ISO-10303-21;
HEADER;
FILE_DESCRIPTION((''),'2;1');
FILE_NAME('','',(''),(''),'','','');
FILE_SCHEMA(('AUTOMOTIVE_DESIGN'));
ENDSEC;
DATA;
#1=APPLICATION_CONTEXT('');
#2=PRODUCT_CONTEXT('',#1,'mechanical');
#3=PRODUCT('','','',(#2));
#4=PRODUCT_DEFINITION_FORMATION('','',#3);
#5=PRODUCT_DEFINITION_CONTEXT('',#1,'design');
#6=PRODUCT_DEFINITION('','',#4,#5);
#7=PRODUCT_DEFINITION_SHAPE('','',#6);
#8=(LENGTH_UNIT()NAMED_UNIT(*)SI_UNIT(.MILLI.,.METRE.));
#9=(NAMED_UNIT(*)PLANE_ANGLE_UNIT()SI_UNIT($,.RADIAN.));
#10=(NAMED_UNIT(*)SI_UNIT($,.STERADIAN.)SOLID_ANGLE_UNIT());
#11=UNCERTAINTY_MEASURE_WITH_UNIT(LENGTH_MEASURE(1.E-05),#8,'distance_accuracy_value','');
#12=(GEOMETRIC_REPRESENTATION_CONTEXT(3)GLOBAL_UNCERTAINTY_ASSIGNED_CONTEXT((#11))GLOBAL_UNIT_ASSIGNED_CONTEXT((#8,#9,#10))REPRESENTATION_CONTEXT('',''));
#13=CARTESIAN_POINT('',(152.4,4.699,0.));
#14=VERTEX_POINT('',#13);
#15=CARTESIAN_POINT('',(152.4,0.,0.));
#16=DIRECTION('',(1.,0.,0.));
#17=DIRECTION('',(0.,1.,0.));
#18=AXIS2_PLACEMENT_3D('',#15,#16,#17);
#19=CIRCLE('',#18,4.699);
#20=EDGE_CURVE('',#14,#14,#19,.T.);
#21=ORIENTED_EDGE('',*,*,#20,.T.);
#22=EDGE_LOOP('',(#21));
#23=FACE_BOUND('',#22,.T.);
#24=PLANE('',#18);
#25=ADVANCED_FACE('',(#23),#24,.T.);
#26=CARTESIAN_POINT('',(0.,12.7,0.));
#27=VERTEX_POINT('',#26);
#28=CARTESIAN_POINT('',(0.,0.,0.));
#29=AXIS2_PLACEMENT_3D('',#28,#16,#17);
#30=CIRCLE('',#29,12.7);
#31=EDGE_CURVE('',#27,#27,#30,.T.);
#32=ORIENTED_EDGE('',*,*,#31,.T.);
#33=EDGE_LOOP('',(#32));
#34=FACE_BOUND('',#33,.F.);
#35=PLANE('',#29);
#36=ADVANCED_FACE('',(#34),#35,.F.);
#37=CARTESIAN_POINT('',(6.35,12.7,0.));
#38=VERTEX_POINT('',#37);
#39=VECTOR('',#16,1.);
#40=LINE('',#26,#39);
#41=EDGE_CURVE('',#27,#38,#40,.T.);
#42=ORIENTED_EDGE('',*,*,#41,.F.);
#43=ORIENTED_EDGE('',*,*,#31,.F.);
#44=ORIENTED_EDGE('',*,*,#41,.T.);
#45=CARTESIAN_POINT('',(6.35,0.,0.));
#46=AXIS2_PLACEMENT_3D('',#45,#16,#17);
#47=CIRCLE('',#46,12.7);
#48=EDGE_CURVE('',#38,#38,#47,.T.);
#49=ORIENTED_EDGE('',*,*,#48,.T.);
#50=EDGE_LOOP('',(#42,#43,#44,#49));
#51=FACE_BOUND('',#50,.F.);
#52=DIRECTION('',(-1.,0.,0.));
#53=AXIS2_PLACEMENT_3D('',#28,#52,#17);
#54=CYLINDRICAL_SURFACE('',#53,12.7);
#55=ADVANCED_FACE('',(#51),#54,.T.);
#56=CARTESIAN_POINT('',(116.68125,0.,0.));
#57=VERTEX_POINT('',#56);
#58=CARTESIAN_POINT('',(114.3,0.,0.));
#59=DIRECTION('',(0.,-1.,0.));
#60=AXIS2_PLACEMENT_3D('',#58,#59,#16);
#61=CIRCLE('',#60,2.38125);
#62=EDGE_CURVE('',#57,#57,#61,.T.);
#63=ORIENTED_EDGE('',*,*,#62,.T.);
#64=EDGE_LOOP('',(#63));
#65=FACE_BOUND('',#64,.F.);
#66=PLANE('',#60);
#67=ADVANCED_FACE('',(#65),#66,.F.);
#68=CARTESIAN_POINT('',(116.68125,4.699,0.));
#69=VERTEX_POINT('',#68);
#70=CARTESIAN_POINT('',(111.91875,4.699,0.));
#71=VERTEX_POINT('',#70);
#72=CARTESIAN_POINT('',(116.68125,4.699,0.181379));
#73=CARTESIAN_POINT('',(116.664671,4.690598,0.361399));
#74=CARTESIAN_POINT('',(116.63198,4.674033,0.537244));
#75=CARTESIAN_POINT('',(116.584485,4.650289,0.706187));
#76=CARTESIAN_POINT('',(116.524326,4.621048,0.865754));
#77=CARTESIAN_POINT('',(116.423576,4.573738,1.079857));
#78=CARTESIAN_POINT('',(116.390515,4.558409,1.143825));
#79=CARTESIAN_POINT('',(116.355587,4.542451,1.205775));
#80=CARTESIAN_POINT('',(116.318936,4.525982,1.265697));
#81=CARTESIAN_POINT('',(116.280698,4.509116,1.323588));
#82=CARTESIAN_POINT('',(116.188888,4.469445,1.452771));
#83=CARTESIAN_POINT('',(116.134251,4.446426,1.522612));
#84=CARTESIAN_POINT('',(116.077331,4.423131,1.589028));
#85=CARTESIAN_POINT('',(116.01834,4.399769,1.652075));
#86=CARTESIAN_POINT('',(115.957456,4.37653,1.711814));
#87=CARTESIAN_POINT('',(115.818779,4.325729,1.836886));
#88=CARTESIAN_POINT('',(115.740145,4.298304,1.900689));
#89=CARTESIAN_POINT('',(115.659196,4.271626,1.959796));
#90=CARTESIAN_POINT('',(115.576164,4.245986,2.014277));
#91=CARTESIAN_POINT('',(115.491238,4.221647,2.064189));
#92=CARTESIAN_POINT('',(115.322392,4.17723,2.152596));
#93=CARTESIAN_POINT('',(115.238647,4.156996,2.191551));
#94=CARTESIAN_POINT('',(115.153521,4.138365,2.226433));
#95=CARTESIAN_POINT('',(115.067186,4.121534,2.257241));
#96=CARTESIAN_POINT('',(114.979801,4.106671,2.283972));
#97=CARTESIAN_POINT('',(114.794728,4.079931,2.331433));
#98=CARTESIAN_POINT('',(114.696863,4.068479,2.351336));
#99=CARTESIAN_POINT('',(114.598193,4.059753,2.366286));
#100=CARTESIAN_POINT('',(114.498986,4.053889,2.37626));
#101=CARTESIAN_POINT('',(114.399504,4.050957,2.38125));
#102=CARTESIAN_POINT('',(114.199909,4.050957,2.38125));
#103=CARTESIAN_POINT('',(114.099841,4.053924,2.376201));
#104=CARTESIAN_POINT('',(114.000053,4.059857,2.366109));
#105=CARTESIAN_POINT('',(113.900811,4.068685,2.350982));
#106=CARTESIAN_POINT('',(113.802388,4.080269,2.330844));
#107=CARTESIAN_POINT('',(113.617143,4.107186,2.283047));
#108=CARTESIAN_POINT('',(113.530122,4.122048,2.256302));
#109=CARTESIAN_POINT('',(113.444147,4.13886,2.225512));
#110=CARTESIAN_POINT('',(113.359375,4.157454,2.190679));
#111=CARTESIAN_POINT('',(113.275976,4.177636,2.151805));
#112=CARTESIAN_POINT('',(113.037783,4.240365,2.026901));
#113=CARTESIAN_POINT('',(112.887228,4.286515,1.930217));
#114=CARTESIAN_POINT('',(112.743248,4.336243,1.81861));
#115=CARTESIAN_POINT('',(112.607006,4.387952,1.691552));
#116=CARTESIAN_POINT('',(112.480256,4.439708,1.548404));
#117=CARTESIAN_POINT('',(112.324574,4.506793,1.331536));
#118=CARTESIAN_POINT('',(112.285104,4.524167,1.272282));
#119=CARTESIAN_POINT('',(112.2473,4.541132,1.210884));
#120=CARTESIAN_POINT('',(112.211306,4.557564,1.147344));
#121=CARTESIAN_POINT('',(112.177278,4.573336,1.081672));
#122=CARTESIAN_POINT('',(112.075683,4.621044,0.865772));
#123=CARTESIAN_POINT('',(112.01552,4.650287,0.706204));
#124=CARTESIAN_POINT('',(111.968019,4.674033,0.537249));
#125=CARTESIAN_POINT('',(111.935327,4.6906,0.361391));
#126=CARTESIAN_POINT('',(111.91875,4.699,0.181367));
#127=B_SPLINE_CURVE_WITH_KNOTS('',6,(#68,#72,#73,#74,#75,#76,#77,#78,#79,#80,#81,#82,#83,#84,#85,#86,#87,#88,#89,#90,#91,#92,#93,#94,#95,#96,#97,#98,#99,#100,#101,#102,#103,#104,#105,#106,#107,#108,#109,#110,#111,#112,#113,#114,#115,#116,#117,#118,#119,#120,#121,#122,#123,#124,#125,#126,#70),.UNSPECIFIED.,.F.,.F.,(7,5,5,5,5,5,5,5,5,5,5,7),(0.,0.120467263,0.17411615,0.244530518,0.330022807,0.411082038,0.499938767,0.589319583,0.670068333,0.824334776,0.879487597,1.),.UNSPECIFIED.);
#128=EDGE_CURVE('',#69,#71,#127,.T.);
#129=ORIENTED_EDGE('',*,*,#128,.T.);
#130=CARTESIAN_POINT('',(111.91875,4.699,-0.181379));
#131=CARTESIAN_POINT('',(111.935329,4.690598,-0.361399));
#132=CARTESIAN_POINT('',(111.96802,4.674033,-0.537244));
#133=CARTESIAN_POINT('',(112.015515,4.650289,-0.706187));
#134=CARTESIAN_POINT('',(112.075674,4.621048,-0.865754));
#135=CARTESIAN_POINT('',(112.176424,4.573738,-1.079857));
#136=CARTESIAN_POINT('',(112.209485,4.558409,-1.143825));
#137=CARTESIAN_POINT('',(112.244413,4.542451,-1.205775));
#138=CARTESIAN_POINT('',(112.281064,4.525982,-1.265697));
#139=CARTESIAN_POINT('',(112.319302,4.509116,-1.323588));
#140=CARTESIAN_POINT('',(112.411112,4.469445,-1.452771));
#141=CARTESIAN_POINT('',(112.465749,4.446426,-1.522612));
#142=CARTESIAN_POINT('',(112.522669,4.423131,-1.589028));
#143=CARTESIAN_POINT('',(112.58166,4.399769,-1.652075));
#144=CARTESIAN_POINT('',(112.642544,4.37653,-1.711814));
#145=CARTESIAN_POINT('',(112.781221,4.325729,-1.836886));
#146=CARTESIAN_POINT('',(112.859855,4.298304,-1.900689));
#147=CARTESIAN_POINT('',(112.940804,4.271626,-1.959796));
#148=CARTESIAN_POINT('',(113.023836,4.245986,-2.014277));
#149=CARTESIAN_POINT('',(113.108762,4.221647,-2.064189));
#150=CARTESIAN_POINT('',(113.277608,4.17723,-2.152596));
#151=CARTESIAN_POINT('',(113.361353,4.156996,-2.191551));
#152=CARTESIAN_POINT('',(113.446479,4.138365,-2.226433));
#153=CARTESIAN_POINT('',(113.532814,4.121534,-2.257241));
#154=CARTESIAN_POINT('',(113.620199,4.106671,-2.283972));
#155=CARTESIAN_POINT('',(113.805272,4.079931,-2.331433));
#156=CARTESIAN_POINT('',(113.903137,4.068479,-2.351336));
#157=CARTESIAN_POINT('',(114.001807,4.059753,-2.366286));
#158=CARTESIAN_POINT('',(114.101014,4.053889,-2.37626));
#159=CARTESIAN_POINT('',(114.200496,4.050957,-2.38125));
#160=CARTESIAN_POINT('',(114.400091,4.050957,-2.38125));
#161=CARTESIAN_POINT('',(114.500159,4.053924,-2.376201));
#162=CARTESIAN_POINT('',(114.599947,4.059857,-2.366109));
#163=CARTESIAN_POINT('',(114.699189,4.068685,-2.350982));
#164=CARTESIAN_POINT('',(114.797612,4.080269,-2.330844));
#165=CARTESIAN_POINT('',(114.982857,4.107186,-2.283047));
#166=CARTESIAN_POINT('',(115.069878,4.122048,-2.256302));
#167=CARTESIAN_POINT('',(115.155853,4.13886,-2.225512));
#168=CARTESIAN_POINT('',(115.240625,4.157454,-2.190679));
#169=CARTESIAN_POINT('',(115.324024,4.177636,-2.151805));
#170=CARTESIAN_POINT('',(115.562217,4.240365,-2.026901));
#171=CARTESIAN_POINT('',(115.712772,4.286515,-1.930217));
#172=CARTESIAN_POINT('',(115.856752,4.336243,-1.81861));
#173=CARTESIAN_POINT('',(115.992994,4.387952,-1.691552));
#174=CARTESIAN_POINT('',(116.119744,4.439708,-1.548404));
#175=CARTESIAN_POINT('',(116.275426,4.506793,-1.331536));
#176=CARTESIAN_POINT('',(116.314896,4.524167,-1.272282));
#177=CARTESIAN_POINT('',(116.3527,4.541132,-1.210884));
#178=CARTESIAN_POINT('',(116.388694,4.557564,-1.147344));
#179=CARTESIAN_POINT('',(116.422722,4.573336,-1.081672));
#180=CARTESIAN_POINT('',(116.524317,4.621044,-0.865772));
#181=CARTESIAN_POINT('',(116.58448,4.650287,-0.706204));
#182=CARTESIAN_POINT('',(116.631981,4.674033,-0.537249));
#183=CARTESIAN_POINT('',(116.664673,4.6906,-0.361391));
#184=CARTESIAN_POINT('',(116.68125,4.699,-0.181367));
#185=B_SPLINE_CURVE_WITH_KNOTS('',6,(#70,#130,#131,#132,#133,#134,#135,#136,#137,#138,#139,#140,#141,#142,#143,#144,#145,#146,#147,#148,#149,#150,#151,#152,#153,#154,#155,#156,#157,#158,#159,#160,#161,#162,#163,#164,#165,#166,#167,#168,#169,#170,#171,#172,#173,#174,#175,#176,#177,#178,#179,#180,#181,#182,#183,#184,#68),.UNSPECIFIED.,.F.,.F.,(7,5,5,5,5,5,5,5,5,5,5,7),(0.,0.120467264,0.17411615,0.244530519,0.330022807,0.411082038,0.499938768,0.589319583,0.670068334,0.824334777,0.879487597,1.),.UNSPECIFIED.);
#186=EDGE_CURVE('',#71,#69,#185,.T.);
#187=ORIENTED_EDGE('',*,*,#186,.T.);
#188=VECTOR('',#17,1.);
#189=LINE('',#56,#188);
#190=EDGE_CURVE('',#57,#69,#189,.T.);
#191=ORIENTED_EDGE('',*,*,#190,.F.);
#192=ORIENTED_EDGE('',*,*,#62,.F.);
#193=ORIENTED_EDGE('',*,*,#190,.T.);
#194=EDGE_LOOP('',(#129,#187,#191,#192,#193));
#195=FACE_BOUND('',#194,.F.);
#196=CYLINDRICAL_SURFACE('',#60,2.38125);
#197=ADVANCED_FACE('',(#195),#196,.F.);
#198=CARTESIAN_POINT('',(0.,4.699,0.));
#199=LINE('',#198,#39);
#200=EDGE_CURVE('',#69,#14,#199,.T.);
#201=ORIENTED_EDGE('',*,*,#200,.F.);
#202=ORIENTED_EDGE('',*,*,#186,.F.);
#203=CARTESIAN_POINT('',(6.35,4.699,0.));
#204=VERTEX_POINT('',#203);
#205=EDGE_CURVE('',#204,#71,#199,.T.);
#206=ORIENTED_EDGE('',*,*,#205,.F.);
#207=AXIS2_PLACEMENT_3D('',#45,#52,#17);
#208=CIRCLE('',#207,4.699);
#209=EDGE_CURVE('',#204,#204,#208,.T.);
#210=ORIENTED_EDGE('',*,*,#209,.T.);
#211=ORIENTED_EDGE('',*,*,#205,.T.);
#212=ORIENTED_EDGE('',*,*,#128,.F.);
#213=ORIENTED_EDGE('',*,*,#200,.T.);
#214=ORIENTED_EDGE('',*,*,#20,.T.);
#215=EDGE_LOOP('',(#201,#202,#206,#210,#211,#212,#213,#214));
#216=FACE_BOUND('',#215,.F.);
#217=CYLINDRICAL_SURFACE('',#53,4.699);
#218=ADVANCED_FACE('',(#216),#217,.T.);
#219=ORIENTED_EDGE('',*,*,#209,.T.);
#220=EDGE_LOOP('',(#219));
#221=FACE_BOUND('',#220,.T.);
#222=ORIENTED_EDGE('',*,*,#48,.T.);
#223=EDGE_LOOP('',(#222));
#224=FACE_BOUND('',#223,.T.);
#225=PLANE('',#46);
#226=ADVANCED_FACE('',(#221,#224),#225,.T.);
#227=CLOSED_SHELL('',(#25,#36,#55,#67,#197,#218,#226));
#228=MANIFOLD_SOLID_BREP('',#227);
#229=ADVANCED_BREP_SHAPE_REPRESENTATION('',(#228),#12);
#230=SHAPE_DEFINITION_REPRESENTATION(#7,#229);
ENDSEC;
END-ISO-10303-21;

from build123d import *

# Parameters (mm, degrees)
F0_R     = 4.699
F1_DEPTH = 152.4
F2_R     = 12.7
F3_DEPTH = 6.35
F4_R     = 2.38125
F5_DEPTH = 12.701


with BuildPart() as f1:
    # F0 (on Right) → F1 (new body)
    with BuildSketch(Plane.YZ):
        Circle(F0_R)
    extrude(amount=F1_DEPTH)

    # F2 (on Right) → F3 (join)
    with BuildSketch(Plane.YZ):
        Circle(F2_R)
    extrude(amount=F3_DEPTH)

    # F4 (on Front) → F5 (cut, through all)
    with BuildSketch(Plane.XZ):
        with Locations((114.3, 0)):
            Circle(F4_R)
    extrude(amount=-F5_DEPTH, mode=Mode.SUBTRACT)


solid = f1.part
